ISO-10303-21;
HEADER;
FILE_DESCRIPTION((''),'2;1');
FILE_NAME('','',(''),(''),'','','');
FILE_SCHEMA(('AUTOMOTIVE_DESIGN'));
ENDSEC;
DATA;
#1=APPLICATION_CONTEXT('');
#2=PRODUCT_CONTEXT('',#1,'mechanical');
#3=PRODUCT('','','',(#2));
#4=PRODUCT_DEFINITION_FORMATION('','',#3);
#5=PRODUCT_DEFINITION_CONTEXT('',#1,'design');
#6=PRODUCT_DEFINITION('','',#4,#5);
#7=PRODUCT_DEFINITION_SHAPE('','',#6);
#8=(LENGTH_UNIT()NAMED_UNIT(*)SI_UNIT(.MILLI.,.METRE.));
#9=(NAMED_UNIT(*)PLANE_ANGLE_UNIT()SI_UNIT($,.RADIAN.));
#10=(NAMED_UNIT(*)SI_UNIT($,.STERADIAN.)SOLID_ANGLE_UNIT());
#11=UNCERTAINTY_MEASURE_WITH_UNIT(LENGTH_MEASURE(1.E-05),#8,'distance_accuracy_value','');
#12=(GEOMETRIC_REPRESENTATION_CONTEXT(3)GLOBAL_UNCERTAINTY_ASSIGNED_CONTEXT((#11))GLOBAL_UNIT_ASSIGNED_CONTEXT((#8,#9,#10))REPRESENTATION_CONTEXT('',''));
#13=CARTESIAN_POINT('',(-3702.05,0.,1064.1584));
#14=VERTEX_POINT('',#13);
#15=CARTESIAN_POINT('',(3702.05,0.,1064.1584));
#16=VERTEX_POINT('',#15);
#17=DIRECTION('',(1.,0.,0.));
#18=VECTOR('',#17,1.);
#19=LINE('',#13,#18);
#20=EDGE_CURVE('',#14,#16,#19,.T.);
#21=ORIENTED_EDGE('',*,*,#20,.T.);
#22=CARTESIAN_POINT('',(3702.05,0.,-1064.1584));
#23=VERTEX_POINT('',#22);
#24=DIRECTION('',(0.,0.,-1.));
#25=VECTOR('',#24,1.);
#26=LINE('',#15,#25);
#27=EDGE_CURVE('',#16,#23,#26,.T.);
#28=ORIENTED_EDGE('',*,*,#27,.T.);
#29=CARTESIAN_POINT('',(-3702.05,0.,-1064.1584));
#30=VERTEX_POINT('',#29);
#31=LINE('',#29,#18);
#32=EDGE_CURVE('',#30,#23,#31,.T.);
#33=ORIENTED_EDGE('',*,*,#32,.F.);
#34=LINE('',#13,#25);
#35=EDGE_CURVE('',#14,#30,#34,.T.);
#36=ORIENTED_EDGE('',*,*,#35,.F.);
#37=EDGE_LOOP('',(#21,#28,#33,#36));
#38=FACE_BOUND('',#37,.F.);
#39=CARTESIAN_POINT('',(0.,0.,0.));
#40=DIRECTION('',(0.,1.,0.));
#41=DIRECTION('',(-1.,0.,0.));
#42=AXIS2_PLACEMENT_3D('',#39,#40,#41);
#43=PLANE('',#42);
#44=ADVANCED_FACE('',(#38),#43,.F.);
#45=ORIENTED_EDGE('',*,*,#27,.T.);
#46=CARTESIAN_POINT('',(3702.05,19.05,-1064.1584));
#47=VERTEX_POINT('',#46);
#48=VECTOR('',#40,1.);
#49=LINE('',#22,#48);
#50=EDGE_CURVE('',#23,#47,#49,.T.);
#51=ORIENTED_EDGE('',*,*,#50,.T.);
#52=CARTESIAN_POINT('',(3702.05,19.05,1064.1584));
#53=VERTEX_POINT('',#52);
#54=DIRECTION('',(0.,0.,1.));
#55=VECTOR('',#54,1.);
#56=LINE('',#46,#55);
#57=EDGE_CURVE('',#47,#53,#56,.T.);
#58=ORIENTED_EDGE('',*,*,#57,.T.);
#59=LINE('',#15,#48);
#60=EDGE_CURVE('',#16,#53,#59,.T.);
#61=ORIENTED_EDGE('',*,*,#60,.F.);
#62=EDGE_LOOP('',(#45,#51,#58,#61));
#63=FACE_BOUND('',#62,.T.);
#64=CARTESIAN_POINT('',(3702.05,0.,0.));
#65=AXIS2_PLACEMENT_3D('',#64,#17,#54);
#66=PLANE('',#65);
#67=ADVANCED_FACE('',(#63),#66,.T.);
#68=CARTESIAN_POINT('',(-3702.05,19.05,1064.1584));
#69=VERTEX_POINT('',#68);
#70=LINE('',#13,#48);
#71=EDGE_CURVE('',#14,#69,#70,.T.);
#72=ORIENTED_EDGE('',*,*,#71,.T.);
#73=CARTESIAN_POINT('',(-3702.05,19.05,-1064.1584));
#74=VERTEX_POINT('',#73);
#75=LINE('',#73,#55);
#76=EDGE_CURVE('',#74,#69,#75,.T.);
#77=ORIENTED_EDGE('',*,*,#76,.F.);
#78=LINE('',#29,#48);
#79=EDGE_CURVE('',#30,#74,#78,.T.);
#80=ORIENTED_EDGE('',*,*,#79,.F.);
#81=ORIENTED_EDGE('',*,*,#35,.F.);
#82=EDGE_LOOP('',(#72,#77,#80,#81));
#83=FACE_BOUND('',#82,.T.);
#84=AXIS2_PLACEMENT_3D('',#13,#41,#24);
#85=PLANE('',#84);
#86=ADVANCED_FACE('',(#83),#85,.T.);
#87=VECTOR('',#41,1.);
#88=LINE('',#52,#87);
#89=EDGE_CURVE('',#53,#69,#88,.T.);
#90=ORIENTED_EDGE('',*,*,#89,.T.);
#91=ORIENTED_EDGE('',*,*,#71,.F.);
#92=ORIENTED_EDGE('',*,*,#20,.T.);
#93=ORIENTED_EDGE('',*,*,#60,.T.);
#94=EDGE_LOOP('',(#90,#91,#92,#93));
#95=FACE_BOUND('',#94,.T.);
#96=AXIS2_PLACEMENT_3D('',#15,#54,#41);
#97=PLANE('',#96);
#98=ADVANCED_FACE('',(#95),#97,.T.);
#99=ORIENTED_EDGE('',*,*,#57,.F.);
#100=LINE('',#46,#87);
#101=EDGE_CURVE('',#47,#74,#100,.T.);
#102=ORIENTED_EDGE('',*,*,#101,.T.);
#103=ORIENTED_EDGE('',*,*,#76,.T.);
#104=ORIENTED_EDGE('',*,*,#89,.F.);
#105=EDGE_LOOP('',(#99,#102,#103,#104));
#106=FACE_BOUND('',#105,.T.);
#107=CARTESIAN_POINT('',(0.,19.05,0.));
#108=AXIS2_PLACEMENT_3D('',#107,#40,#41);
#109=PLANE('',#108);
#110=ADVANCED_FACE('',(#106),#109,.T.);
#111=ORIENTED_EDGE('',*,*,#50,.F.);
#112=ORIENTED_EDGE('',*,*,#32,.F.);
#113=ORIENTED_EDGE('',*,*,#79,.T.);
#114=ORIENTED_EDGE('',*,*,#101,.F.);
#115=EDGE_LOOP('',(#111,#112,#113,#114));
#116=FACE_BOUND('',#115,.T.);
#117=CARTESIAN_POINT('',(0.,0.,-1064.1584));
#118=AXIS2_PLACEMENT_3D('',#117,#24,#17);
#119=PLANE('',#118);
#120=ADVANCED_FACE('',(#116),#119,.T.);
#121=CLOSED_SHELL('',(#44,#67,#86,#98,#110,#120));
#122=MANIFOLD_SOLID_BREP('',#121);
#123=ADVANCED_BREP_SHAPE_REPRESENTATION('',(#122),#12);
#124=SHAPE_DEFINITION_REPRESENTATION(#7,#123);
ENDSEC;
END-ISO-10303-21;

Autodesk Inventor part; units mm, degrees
ref_plane "YZ Plane" through (0, 0, 0) normal (1, 0, 0) x (0, 1, 0)
ref_plane "XZ Plane" through (0, 0, 0) normal (0, 1, 0) x (-1, 0, 0)
ref_plane "XY Plane" through (0, 0, 0) normal (0, 0, 1) x (1, 0, 0)
sketch "Sketch1" plane through (0, 0, 0) normal (0, 1, 0) x (-1, 0, 0)
  line L0 (-3702.05, 1064.1584) -> (3702.05, 1064.1584)
  line L1 (3702.05, 1064.1584) -> (3702.05, -1064.1584)
  line L2 (3702.05, -1064.1584) -> (-3702.05, -1064.1584)
  line L3 (-3702.05, -1064.1584) -> (-3702.05, 1064.1584)
  line L4 (0, -1064.1584) -> (0, 1064.1584)
  line L5 (-3702.05, 0) -> (3702.05, 0)
  point P0 (0, 0)
  point P1 (0, 0)
  dimension "d2" = 2128.3168
  dimension "d3" = 7404.1
extrude "Extrusion1" add sketch "Sketch1" along normal blind 19.05
properties part number "Second_Ceiling" material "Concrete"
